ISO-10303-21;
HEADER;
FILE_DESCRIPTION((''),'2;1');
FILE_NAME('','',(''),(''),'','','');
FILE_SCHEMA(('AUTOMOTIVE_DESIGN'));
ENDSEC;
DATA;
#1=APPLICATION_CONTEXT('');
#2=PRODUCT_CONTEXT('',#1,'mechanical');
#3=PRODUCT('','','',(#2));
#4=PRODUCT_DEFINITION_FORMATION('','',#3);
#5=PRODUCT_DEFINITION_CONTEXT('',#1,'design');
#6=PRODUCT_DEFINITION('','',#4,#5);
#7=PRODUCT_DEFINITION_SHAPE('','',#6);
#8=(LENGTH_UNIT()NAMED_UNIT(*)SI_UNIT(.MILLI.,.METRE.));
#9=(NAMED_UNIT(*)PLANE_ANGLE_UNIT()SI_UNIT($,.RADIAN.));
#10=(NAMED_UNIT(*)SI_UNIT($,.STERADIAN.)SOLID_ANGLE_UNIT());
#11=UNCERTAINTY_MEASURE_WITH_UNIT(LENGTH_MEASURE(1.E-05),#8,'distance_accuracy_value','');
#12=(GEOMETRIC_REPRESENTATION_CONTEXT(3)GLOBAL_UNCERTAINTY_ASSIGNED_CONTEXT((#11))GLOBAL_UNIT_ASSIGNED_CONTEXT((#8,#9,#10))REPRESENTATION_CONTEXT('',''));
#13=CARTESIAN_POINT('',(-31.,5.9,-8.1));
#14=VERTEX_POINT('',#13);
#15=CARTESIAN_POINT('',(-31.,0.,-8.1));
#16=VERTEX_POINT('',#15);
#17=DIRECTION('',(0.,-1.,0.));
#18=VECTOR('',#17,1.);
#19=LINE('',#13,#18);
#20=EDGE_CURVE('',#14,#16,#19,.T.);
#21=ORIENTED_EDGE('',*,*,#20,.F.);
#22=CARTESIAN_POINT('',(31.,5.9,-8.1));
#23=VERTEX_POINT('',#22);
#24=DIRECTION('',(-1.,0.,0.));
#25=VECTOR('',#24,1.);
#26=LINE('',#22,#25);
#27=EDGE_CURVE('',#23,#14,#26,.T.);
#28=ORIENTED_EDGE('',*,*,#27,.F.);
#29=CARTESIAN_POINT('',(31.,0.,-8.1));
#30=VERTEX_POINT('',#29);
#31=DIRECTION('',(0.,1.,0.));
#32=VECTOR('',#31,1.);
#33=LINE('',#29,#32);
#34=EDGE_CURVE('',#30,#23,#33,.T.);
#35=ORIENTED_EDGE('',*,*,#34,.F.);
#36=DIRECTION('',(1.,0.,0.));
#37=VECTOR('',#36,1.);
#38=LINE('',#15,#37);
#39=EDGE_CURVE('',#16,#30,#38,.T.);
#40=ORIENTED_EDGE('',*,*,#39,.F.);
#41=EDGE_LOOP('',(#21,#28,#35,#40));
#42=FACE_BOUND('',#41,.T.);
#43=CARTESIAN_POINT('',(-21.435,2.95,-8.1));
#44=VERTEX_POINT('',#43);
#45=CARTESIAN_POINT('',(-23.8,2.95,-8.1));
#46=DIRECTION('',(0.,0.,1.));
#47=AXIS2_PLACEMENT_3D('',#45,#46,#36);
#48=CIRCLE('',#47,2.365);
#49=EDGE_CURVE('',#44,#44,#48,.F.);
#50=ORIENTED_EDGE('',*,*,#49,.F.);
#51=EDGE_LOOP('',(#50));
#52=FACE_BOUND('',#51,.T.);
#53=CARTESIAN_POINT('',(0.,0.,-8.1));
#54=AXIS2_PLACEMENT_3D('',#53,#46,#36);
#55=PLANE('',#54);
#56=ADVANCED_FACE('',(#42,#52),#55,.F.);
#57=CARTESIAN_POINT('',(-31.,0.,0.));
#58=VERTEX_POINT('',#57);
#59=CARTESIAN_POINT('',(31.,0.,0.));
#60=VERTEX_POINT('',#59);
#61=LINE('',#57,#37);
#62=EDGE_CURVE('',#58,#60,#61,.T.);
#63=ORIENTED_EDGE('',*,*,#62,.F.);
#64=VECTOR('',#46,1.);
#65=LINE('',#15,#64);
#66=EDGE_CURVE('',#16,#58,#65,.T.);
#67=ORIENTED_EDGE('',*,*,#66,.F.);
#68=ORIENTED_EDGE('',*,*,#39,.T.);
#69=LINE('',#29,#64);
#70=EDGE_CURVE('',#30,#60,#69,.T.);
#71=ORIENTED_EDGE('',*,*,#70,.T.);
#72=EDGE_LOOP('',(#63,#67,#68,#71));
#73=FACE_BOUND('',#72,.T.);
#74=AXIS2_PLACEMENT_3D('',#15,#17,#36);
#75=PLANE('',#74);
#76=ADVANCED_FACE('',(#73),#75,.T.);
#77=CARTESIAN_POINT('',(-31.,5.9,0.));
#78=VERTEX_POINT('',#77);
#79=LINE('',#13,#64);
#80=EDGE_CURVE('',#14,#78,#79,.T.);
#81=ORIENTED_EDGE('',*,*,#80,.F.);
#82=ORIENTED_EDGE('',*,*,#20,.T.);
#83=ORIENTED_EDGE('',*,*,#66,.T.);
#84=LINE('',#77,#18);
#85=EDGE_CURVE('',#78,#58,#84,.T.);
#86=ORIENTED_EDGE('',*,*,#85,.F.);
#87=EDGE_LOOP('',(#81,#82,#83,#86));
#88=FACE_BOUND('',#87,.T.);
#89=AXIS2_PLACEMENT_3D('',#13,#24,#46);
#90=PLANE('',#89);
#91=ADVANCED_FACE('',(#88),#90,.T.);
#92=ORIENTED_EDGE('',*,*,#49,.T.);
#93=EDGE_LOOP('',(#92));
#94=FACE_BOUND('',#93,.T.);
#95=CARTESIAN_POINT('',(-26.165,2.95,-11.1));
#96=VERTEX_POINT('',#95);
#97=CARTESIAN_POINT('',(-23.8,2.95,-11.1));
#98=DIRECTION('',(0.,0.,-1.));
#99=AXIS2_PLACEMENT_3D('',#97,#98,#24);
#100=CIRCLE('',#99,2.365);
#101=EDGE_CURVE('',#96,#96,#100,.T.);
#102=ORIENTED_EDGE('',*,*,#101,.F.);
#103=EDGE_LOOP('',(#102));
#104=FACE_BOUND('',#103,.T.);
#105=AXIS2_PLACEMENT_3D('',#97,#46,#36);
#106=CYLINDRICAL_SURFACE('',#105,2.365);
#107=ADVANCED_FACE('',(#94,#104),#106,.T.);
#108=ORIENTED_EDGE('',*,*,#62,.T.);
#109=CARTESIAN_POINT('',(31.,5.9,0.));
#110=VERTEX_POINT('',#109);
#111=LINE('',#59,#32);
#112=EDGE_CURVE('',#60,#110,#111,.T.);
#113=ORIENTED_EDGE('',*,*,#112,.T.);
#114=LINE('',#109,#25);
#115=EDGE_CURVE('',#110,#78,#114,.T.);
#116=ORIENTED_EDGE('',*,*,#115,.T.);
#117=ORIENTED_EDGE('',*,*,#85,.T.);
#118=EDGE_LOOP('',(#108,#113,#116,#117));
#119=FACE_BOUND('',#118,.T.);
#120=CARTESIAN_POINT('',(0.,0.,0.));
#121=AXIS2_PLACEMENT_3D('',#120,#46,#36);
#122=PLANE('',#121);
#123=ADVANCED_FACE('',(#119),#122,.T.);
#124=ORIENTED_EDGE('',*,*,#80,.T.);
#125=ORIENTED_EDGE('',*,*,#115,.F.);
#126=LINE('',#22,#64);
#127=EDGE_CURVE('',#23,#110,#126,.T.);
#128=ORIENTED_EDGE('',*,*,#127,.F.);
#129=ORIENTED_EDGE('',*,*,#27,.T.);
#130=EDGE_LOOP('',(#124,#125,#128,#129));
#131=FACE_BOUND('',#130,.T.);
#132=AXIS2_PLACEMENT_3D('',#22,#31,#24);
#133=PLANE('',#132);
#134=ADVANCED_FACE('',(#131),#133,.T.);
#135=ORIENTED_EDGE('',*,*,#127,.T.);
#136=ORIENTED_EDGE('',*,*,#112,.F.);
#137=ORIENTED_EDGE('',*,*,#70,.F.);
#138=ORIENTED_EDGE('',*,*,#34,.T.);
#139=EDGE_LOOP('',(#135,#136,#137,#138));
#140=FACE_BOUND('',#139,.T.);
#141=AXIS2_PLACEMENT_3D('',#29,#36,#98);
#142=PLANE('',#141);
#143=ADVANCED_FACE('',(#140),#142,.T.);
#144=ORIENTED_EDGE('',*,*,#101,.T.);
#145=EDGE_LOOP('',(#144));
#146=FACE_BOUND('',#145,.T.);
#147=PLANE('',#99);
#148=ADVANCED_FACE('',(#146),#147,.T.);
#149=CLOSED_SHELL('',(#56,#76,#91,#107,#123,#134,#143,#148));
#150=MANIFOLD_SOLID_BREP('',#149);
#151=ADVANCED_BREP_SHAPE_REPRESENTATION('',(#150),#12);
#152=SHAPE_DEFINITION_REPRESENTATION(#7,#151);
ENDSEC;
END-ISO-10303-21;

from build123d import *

# Parameters (mm, degrees)
SKETCH1_W           = 62
SKETCH1_H           = 5.9
BOSS_EXTRUDE1_DEPTH = 8.1
SKETCH4_R           = 2.365
BOSS_EXTRUDE2_DEPTH = 3


with BuildPart() as part:
    # Sketch1 → Boss-Extrude1 (new body)
    with BuildSketch(Plane.XY):
        with Locations((0, 2.95)):
            Rectangle(SKETCH1_W, SKETCH1_H)
    extrude(amount=-BOSS_EXTRUDE1_DEPTH)

    # Sketch4 → Boss-Extrude2 (add)
    with BuildSketch(Plane(origin=(0, 0, -8.1), x_dir=(-1, 0, 0), z_dir=(0, 0, -1))):
        with Locations((23.8, 2.95)):
            Circle(SKETCH4_R)
    extrude(amount=BOSS_EXTRUDE2_DEPTH)


solid = part.part
